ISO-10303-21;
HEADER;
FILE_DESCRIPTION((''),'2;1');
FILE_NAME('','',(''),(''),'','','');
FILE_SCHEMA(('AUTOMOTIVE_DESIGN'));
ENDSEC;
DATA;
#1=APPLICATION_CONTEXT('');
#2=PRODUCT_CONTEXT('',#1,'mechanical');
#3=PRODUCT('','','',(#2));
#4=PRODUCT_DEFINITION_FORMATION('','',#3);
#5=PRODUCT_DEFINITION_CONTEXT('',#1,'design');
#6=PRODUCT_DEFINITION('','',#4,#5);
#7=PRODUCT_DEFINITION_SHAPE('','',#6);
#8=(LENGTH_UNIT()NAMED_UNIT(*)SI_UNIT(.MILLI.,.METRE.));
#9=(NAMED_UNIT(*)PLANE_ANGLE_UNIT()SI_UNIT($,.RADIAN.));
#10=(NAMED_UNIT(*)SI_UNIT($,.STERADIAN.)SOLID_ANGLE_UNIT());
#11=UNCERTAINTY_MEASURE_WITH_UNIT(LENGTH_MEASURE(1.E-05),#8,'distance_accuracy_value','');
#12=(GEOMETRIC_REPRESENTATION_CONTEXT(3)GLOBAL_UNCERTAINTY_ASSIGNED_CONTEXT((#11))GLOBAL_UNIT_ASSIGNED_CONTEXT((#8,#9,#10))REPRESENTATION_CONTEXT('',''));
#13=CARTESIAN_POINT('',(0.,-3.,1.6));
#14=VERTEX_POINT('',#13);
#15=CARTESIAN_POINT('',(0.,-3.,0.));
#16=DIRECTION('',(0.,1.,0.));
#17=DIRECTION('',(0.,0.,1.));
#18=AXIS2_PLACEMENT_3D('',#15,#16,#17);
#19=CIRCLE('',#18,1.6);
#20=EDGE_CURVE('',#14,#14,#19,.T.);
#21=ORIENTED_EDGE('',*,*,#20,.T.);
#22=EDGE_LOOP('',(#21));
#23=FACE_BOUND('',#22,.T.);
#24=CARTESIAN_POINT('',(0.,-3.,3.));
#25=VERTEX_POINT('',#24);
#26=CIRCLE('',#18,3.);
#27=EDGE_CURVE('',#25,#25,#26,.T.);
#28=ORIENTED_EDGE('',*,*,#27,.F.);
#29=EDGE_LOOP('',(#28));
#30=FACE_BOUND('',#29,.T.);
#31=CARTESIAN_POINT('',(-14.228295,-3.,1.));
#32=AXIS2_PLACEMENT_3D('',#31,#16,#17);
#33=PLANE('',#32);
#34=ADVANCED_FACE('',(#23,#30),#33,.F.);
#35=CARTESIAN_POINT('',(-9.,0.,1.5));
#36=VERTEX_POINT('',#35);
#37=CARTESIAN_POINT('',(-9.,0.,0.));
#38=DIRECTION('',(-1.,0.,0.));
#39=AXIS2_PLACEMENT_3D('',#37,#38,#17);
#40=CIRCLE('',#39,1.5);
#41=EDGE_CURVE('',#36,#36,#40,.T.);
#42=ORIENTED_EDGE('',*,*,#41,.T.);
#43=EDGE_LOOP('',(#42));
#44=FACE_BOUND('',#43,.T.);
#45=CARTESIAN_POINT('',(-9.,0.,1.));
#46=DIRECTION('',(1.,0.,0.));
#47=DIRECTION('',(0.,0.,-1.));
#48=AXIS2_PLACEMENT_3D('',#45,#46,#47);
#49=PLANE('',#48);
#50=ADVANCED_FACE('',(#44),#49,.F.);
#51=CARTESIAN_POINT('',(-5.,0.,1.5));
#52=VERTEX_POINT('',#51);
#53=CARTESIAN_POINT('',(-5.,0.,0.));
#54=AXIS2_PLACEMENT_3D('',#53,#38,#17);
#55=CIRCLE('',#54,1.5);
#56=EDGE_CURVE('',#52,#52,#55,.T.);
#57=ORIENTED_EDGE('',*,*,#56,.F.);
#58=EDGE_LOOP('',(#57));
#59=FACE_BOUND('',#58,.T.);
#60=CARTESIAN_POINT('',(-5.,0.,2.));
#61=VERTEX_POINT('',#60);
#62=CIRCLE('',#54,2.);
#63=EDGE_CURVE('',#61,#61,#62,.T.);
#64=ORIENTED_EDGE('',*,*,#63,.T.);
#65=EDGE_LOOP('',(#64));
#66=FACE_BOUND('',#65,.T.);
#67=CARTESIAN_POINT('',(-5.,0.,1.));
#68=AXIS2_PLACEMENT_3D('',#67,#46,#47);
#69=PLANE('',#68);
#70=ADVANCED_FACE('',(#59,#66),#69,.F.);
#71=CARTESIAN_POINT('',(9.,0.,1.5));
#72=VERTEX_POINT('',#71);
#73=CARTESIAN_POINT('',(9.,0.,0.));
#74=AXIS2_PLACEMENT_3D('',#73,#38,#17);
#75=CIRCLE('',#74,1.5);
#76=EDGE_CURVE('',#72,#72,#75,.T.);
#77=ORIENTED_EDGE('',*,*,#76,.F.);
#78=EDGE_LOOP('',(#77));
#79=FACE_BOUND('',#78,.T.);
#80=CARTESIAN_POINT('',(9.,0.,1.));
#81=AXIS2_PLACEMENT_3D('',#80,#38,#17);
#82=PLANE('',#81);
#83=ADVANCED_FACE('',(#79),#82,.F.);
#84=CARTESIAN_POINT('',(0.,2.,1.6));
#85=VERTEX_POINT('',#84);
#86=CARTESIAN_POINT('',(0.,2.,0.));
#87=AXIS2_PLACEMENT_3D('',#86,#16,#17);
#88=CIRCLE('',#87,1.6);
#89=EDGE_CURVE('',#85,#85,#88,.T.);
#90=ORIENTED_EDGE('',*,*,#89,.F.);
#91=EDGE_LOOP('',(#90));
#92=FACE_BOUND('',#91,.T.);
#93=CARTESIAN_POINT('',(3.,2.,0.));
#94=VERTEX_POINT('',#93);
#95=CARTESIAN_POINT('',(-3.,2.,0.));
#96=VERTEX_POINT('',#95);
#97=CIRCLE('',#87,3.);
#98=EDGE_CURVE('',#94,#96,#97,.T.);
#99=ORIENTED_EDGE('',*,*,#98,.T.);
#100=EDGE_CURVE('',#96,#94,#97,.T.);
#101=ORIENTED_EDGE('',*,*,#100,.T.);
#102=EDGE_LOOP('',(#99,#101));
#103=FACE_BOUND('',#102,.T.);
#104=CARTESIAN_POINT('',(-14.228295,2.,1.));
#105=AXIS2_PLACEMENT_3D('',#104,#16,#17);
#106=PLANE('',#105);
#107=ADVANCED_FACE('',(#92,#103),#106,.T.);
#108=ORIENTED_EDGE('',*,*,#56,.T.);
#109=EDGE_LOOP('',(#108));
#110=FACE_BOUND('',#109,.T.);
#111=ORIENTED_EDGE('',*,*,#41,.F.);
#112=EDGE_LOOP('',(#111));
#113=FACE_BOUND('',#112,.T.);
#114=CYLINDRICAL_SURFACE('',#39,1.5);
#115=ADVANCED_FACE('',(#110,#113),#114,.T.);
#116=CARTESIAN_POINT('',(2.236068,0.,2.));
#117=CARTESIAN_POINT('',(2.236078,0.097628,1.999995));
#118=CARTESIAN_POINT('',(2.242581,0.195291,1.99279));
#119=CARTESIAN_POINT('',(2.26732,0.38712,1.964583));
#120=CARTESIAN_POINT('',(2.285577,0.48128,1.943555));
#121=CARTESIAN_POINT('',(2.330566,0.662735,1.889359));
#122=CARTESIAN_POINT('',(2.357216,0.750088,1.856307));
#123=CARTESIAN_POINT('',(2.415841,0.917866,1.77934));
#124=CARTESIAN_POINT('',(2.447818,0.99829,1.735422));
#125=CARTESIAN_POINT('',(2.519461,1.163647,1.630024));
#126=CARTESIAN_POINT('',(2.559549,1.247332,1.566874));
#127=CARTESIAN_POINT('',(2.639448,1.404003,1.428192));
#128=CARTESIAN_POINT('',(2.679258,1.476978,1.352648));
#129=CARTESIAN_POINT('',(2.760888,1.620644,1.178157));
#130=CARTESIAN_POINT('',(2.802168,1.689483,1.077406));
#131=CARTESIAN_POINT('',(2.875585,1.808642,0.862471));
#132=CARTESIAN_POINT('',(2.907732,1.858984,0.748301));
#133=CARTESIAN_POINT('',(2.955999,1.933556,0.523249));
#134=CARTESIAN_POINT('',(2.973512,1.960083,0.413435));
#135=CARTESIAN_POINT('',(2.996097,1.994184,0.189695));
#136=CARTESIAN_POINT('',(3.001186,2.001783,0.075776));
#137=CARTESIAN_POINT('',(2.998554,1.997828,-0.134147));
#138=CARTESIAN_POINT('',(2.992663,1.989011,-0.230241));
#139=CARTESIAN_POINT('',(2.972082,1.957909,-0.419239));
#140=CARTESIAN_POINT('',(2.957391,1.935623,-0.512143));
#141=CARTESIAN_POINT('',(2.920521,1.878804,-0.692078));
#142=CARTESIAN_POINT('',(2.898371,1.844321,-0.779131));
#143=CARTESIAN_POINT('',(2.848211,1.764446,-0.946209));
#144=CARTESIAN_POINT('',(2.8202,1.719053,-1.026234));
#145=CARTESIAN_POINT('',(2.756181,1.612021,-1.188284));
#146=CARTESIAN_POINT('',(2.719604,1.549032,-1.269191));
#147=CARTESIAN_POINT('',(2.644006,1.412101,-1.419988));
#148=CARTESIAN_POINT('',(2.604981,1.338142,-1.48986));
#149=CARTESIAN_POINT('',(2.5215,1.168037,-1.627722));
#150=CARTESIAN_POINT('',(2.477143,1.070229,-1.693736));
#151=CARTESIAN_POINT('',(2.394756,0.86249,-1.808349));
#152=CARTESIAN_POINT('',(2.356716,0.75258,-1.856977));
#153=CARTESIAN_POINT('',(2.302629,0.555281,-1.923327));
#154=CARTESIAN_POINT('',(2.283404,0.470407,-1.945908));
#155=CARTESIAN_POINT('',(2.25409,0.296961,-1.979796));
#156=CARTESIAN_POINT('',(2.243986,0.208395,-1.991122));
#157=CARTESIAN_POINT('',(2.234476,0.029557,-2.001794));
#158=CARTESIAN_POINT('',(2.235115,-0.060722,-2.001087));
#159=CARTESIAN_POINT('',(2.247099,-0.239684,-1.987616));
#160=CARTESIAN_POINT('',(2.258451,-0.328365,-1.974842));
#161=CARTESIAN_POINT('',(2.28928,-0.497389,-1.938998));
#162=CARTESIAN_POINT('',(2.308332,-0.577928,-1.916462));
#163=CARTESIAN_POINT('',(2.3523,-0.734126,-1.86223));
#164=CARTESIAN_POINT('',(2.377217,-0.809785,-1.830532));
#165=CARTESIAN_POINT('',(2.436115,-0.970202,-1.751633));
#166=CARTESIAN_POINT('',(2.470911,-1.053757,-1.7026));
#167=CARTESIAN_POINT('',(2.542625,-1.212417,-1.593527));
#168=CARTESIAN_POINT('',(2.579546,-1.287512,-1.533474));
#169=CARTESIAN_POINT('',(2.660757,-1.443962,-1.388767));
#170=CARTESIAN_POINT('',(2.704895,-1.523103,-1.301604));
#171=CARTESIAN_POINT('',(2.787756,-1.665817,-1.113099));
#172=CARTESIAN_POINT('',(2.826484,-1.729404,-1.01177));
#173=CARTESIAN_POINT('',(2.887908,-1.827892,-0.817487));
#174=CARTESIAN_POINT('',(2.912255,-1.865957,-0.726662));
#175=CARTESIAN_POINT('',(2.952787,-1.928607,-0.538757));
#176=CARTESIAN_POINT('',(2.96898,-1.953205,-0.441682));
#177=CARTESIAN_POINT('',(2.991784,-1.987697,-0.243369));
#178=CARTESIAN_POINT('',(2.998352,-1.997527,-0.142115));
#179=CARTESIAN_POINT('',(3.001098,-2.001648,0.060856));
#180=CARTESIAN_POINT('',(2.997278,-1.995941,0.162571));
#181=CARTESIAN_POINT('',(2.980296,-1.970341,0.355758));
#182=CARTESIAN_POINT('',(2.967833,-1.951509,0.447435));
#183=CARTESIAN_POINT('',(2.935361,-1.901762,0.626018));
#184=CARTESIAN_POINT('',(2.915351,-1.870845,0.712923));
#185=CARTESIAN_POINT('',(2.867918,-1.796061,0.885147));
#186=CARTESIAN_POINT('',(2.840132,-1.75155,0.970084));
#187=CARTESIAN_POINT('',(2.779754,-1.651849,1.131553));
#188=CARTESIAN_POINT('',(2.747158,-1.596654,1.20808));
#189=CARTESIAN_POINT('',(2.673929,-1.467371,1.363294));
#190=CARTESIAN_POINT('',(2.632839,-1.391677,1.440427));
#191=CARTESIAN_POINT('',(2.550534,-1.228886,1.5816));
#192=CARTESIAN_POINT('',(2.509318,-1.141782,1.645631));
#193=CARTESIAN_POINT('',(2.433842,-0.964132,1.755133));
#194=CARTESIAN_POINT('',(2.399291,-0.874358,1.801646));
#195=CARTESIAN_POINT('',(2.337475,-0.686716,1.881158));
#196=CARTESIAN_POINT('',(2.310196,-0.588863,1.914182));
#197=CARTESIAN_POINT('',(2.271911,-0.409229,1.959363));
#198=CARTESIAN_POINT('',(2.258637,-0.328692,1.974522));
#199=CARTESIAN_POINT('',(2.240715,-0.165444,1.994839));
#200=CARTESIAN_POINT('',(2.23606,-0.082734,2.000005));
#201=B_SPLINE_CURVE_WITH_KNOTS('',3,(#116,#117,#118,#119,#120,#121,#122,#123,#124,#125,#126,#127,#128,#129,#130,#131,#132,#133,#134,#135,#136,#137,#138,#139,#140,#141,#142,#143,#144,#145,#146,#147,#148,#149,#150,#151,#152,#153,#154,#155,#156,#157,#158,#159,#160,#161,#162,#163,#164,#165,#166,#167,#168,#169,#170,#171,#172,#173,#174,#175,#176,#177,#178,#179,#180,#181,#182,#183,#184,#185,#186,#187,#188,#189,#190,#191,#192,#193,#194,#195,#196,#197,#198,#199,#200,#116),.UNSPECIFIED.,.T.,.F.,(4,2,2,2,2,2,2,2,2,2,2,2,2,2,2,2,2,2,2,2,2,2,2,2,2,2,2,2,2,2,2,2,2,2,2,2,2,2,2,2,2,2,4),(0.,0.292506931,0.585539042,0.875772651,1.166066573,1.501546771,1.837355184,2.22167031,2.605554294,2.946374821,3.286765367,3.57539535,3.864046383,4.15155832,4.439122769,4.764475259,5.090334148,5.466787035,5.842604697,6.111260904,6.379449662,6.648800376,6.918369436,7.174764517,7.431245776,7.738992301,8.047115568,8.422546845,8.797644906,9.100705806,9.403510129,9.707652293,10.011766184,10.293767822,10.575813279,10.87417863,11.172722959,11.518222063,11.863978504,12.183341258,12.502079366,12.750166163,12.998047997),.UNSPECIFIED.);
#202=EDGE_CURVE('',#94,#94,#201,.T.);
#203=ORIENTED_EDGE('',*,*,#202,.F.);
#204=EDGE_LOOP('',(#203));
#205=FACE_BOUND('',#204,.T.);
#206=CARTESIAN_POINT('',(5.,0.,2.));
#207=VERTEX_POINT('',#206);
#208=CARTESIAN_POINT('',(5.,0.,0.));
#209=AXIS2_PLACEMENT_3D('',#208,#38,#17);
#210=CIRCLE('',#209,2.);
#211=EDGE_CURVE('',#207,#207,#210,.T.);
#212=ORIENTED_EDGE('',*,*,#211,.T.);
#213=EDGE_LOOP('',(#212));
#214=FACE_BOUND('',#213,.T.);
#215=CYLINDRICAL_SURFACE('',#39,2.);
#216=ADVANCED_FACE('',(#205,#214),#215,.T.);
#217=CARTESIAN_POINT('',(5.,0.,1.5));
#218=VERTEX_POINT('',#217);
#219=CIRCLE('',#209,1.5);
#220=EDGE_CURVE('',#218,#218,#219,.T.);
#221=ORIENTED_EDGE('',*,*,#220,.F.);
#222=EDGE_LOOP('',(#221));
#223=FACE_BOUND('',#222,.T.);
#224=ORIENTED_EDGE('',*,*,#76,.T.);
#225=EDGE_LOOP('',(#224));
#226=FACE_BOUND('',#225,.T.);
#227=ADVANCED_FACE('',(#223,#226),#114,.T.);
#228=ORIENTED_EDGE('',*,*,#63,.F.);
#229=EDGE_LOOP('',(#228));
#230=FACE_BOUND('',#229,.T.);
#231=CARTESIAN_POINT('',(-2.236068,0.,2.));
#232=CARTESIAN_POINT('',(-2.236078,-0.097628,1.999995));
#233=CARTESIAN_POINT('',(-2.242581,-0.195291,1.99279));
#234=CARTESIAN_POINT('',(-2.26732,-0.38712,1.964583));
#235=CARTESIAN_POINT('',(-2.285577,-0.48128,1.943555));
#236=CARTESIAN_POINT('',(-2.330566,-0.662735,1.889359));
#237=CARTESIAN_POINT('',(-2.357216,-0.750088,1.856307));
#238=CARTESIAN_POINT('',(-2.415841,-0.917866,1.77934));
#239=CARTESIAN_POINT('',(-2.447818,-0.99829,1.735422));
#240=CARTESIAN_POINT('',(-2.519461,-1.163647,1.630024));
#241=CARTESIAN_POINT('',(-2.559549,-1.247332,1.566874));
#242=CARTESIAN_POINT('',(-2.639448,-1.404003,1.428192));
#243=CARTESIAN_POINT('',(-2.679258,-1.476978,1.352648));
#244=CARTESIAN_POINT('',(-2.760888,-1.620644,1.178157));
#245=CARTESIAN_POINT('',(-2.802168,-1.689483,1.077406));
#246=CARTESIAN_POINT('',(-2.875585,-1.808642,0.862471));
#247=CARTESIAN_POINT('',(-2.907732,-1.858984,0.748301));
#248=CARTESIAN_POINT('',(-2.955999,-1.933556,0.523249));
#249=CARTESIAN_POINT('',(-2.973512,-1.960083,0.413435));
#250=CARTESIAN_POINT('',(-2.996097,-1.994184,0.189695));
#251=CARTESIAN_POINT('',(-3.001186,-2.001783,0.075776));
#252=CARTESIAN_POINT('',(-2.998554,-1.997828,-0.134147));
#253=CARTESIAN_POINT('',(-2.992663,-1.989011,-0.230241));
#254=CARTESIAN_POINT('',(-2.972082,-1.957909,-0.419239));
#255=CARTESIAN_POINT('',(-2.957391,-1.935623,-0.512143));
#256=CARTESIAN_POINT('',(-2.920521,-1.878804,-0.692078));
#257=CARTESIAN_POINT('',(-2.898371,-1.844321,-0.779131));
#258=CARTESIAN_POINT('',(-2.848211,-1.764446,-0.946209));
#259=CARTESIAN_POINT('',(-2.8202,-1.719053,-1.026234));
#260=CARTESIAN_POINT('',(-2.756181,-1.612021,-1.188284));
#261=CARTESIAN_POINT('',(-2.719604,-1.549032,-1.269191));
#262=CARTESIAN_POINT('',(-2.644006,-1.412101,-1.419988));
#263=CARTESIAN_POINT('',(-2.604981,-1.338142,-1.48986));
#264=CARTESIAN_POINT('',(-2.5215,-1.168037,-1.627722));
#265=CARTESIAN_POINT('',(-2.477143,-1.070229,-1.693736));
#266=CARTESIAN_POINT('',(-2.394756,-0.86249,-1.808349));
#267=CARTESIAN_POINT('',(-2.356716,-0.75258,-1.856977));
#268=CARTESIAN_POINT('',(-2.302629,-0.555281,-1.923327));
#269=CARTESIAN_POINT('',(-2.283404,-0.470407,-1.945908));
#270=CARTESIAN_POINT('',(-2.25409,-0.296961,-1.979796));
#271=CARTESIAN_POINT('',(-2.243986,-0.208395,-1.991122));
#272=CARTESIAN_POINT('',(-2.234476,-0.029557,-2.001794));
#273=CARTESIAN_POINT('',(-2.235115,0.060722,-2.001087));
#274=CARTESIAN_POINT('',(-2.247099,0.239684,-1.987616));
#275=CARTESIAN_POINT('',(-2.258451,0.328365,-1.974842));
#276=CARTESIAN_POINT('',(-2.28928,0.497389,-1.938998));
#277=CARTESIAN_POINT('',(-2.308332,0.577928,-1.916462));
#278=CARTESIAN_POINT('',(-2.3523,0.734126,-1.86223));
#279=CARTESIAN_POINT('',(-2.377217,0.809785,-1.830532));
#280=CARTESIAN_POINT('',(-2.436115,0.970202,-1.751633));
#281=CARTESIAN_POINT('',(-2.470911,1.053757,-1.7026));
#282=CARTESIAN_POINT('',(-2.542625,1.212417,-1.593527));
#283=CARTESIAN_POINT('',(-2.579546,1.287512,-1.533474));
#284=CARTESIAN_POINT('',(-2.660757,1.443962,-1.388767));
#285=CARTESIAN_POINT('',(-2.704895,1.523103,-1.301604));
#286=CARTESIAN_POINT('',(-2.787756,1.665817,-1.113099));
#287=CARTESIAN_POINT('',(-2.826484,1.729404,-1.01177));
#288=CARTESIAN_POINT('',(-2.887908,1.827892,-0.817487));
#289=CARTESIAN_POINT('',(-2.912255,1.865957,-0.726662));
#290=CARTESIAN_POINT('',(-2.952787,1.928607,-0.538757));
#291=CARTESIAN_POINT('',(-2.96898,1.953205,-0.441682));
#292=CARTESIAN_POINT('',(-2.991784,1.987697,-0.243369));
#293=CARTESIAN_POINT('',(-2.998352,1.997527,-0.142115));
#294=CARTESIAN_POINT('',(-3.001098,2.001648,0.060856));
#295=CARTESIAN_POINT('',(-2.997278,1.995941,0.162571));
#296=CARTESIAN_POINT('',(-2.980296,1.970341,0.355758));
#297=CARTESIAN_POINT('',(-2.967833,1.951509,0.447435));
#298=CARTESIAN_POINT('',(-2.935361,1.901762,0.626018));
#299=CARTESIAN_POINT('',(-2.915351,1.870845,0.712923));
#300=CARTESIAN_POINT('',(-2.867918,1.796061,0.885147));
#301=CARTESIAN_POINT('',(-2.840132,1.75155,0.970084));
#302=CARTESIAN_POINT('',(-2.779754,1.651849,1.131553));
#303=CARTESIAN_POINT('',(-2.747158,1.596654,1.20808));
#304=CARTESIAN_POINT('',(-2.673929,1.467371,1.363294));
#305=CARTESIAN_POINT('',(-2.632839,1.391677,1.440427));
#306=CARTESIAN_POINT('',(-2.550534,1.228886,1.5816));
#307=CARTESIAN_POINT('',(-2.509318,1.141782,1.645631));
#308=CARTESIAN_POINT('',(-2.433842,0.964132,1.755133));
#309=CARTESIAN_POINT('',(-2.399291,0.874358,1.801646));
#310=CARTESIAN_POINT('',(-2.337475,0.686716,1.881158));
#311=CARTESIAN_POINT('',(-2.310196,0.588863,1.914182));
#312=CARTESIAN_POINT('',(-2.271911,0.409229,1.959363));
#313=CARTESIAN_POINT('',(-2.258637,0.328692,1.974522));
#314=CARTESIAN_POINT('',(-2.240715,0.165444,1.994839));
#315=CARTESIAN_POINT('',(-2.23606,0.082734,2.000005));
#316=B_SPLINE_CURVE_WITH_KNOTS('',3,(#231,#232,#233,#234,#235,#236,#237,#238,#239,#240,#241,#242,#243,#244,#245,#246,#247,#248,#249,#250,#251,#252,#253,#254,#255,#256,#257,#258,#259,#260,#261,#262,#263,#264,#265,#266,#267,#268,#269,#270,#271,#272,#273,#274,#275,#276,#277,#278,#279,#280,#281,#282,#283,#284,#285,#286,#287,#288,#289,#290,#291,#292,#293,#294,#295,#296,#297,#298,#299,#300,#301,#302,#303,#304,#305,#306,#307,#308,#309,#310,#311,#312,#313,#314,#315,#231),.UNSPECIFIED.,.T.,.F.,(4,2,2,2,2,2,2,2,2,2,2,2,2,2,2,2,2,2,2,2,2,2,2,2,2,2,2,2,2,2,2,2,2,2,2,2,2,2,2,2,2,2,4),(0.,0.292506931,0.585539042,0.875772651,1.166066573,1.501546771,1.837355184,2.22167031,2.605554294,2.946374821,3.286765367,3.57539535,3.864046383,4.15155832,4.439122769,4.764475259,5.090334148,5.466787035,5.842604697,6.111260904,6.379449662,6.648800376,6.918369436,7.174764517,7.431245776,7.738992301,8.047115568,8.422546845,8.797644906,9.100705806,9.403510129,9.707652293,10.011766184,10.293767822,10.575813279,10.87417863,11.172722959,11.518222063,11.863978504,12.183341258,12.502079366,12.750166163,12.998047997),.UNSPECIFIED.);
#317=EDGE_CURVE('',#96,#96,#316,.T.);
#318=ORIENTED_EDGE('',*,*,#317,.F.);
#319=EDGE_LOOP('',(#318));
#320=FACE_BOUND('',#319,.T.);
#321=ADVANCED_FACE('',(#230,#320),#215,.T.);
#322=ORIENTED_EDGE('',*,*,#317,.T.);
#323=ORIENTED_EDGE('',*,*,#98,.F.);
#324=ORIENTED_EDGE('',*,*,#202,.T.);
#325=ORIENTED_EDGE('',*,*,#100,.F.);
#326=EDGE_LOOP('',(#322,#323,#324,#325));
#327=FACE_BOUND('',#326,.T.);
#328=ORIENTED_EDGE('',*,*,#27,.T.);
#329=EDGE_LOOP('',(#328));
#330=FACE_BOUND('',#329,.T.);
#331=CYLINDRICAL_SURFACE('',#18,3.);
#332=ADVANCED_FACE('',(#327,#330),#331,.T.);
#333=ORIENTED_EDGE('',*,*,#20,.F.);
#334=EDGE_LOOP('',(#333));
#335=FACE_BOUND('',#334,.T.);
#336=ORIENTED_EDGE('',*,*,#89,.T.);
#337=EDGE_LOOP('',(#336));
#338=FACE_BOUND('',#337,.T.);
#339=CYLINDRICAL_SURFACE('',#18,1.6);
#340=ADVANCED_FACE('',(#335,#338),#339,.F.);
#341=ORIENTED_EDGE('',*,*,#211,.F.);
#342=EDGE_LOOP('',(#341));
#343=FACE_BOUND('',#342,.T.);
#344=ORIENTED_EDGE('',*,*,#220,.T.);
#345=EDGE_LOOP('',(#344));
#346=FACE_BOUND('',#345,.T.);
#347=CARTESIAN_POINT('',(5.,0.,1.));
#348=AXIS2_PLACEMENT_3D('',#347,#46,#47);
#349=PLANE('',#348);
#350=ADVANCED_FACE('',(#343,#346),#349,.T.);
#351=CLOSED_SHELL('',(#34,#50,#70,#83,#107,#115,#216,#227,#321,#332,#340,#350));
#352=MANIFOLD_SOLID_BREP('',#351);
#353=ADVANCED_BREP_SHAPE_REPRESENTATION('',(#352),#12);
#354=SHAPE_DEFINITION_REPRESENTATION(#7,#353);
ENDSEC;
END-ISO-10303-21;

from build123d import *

# Parameters (mm, degrees)
BOSS_EXTRUDE1_DEPTH      = 2
BOSS_EXTRUDE1_DEPTH_BACK = 3
SKETCH1_5_R              = 3
SKETCH1_5_R_2            = 1.6


with BuildPart() as part:
    # Sketch1 → Revolve2 (revolve)
    with BuildSketch(Plane(origin=(0, 0, 0), x_dir=(1, 0, 0), z_dir=(0, 1, 0))):
        Polygon((-5, -1.5), (-5, -2), (-2.236067977, -2), (-2.236067977, 0), (-9, 0), (-9, -1.5), align=None)
        Polygon((9, 0), (2.236067977, 0), (2.236067977, -2), (5, -2), (5, -1.5), (9, -1.5), align=None)
    revolve(axis=Axis((-9, 0, 0), (1, 0, 0)))

    # Sketch1<5> → Boss-Extrude1 (add, two sides: drawn at the far end of the back side and taken through both)
    with BuildSketch(Plane(origin=(0, 0, 0), x_dir=(1, 0, 0), z_dir=(0, 1, 0)).offset(-BOSS_EXTRUDE1_DEPTH_BACK)):
        Circle(SKETCH1_5_R)
        Circle(SKETCH1_5_R_2, mode=Mode.SUBTRACT)
    extrude(amount=BOSS_EXTRUDE1_DEPTH + BOSS_EXTRUDE1_DEPTH_BACK)


solid = part.part
